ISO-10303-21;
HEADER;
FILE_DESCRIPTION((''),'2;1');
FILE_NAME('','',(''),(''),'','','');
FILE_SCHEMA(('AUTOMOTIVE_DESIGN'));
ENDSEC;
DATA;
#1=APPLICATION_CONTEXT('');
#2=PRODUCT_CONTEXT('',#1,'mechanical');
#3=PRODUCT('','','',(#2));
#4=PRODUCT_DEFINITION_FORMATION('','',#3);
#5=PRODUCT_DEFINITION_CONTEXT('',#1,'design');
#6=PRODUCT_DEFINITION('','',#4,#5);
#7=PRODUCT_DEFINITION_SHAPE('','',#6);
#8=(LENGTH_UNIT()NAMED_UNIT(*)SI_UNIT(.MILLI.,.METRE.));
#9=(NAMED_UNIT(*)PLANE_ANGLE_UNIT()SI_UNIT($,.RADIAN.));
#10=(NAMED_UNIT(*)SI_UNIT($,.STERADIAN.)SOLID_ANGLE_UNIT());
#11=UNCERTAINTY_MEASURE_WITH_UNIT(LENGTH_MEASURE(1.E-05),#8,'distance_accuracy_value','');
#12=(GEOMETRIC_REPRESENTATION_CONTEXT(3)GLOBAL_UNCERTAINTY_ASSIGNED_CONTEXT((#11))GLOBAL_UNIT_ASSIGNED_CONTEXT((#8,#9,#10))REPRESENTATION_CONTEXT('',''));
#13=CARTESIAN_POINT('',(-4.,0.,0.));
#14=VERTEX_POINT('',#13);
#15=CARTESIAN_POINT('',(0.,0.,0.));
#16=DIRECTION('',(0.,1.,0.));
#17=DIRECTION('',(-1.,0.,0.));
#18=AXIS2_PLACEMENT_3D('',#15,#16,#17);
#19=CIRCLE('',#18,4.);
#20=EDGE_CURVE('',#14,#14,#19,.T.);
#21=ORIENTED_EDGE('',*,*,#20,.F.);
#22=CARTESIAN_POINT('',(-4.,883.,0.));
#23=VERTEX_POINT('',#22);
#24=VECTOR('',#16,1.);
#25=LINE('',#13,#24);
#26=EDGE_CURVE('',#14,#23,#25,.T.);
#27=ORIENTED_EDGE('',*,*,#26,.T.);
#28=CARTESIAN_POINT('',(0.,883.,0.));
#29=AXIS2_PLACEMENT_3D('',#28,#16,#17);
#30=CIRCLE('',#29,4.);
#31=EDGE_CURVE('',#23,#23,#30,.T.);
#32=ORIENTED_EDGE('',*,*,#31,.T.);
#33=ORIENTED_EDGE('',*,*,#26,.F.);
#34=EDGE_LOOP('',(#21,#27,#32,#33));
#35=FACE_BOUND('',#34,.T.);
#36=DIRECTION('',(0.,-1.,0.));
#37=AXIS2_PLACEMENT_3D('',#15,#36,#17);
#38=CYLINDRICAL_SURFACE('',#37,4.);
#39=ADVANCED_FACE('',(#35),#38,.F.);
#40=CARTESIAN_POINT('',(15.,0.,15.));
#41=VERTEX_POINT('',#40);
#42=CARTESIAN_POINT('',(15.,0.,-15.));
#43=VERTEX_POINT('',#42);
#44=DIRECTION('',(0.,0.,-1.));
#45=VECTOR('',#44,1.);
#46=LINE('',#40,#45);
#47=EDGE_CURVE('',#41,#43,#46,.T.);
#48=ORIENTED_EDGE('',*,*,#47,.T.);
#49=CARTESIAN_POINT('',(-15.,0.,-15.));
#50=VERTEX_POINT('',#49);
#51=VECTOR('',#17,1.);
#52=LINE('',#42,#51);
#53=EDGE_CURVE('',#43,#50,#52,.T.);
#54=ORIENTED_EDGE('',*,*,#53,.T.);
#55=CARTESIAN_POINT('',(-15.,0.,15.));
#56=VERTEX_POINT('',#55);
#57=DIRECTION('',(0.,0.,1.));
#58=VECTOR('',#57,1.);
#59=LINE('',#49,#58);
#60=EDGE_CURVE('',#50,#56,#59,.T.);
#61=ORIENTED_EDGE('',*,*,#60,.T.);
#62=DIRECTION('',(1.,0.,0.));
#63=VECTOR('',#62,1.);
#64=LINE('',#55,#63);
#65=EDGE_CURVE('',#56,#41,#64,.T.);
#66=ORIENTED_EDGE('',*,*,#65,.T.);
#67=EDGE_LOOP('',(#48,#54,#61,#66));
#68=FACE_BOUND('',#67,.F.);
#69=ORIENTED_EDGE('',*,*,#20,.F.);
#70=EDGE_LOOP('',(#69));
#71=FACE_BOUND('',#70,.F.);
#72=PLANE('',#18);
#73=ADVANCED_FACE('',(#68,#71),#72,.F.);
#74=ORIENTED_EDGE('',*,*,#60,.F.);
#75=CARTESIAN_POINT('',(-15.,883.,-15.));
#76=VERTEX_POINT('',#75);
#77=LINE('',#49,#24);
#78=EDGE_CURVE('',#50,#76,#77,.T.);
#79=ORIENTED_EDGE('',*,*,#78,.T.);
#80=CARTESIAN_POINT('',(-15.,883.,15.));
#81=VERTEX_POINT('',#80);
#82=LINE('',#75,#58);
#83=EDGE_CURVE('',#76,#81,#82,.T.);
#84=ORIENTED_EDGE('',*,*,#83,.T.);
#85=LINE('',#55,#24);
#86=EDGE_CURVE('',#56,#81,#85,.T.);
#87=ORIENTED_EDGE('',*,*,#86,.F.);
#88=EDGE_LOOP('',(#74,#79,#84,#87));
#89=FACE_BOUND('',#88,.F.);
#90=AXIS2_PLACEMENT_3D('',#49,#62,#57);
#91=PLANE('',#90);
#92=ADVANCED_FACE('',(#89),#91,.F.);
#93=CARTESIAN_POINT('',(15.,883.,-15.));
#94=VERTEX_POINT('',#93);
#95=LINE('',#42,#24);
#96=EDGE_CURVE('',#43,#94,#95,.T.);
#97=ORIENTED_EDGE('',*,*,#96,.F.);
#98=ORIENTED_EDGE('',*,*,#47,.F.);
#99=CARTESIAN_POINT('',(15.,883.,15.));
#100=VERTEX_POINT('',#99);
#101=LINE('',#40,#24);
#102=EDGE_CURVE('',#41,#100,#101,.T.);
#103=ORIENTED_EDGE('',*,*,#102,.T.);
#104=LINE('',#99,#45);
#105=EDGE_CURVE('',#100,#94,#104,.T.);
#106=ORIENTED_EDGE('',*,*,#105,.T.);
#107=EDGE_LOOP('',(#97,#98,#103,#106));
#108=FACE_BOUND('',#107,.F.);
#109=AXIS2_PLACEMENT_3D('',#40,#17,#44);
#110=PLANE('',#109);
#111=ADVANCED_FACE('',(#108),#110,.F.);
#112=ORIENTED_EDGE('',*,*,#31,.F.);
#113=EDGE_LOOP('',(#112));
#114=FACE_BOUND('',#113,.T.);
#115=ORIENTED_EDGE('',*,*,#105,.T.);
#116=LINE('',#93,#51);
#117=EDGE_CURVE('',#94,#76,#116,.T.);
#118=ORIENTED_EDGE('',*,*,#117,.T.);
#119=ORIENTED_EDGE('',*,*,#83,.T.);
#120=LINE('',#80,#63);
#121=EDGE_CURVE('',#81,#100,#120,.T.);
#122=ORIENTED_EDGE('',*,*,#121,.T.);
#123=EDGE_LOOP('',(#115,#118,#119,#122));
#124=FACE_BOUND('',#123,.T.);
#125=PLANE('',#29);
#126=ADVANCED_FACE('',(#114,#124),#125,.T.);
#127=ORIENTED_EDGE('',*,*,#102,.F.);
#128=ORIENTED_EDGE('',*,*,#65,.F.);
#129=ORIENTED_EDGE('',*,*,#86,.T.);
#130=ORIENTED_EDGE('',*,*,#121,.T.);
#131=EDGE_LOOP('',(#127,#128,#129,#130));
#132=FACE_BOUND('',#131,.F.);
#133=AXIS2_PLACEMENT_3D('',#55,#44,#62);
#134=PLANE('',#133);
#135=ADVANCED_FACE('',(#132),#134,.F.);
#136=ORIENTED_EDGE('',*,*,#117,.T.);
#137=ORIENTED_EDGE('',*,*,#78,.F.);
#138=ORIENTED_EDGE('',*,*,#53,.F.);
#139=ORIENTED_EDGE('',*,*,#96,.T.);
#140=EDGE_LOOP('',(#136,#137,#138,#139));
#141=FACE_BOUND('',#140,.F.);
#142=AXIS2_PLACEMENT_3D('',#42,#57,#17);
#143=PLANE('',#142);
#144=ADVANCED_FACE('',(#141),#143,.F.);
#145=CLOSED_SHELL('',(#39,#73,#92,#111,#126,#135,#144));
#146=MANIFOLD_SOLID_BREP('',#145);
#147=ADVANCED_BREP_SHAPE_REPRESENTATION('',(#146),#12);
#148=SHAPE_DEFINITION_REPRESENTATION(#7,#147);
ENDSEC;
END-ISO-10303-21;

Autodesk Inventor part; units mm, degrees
ref_plane "YZ Plane" through (0, 0, 0) normal (1, 0, 0) x (0, 1, 0)
ref_plane "XZ Plane" through (0, 0, 0) normal (0, 1, 0) x (-1, 0, 0)
ref_plane "XY Plane" through (0, 0, 0) normal (0, 0, 1) x (1, 0, 0)
sketch "Boceto1" plane through (0, 0, 0) normal (0, 1, 0) x (-1, 0, 0)
  line L0 (15, 15) -> (-15, 15)
  line L1 (-15, 15) -> (-15, -15)
  line L2 (-15, -15) -> (15, -15)
  line L3 (15, -15) -> (15, 15)
  line L4 (15, 15) -> (-15, -15) construction
  circle A0 centre (0, 0) radius 4
  dimension "d0" = 30
  dimension "d1" = 8
extrude "Extrusión1" add sketch "Boceto1" along normal blind 883
properties part number "P_3030_1500"
